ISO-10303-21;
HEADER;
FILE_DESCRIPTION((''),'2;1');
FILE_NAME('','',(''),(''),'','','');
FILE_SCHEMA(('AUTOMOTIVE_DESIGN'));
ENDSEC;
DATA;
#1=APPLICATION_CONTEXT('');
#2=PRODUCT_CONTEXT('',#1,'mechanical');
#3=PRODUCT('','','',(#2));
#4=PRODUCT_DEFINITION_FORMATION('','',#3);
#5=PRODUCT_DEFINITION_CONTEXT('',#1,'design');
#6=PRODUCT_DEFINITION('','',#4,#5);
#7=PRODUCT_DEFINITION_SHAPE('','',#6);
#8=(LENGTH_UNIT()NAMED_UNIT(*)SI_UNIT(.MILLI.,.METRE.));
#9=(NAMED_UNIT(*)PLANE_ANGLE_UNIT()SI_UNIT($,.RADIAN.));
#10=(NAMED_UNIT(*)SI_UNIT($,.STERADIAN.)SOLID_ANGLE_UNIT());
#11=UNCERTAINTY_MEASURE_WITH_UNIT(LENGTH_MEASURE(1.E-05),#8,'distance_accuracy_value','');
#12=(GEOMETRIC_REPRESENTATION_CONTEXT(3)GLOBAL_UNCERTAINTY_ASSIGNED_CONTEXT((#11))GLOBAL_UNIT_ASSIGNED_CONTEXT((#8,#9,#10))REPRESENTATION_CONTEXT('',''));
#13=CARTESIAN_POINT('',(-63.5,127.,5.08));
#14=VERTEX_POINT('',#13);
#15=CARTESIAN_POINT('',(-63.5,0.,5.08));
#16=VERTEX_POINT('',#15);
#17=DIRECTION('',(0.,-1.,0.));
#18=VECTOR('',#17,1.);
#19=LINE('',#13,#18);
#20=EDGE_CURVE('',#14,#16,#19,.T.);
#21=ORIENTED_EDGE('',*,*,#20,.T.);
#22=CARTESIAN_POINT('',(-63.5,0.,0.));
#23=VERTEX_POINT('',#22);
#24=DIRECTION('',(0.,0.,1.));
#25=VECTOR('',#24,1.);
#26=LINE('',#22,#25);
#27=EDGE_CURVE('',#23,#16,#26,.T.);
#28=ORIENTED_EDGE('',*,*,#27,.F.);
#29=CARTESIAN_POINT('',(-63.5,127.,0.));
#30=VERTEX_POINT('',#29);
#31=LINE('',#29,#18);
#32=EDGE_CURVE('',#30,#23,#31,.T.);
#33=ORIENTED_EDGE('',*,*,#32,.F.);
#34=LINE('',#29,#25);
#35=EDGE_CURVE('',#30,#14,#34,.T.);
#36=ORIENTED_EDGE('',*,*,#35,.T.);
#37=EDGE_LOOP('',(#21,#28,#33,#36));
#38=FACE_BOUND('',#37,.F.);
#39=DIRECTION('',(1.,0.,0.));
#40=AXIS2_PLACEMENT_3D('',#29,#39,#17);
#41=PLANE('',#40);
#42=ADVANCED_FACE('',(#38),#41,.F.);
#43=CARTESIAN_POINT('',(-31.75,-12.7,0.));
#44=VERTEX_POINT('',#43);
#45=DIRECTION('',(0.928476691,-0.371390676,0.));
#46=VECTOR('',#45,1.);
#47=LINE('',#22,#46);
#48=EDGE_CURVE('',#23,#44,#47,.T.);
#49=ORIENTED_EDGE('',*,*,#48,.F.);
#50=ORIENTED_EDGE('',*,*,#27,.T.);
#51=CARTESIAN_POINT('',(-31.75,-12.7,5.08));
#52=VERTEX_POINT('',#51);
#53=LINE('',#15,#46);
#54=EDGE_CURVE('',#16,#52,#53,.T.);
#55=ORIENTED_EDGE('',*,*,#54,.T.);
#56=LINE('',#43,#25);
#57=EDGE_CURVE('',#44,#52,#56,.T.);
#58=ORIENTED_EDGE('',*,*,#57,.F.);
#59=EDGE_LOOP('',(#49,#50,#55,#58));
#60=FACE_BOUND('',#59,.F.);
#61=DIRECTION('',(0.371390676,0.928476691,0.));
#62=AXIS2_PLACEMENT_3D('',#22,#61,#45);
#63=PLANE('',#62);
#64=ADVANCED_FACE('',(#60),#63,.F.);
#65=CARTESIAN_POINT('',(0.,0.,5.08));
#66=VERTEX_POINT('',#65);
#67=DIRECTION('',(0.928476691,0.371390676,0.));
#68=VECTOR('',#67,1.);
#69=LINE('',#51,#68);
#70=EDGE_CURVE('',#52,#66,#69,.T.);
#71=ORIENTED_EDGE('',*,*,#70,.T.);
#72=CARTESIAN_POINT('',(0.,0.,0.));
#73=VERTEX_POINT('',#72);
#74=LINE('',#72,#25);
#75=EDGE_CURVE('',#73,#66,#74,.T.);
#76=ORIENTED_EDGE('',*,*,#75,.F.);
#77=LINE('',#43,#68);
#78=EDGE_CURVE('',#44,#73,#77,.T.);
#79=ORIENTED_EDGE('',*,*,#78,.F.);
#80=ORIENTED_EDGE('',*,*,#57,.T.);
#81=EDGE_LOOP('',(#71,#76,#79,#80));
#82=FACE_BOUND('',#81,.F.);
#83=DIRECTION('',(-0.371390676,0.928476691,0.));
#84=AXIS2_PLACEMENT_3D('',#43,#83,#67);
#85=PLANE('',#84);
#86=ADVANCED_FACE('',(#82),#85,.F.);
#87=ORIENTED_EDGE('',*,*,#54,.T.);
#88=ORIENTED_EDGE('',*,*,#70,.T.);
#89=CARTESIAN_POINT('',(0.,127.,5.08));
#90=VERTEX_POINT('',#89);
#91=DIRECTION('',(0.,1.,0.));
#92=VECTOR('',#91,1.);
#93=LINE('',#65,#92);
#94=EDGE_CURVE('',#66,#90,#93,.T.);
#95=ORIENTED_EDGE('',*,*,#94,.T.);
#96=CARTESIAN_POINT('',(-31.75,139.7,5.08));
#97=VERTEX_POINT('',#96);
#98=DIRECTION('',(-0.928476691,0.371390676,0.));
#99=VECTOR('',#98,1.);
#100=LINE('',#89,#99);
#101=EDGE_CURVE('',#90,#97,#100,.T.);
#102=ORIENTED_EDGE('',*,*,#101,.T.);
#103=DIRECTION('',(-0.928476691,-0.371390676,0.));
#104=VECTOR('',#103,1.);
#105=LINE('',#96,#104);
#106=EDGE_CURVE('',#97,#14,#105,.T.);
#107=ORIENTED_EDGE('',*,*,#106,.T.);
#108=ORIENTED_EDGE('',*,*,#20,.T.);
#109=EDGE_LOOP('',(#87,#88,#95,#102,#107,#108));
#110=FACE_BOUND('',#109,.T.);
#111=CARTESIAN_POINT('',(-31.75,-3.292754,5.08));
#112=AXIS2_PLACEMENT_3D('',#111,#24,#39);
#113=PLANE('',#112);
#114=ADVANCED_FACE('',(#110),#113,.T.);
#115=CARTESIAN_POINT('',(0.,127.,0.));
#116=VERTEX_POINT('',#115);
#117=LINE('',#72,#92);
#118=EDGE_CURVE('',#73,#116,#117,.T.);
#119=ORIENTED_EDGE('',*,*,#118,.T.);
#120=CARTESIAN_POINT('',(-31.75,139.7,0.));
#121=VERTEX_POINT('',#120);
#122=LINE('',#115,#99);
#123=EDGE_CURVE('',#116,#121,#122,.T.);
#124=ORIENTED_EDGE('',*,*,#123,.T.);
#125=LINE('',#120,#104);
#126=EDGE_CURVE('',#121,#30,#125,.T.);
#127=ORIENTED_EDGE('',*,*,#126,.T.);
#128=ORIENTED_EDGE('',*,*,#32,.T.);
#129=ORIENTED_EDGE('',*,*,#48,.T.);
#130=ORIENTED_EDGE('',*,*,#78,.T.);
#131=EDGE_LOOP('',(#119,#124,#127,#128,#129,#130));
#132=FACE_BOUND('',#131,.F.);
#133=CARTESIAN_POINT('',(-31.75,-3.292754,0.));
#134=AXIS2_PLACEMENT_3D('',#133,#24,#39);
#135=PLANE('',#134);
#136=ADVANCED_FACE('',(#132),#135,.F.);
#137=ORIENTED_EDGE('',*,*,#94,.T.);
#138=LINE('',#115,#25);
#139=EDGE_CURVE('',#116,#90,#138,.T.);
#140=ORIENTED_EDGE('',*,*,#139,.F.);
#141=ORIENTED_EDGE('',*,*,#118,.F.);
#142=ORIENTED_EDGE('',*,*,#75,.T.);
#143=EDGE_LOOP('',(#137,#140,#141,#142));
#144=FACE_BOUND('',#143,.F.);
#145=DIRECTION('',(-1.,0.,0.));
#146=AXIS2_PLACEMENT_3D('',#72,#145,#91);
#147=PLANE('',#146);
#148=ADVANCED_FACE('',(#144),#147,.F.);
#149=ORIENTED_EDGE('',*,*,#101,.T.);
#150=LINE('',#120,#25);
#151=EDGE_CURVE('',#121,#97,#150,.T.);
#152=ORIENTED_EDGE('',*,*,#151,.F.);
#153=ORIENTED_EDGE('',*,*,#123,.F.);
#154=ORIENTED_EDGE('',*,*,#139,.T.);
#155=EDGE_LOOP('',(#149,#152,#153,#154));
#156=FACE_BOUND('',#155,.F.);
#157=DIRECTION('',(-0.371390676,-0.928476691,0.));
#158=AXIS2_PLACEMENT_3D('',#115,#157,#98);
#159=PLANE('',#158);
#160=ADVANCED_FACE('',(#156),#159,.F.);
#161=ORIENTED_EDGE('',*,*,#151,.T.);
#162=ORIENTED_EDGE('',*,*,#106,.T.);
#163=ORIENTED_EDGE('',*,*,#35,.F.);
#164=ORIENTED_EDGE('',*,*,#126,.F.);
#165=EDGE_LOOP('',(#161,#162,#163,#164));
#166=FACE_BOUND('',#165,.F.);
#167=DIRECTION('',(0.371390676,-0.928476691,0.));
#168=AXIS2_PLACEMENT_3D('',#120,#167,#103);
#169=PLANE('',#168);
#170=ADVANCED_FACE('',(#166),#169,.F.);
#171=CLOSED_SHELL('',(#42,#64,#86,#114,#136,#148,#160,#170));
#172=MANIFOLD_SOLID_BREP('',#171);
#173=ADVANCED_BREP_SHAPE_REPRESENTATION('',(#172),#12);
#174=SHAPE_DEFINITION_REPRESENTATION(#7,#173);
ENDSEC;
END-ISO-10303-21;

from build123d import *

# Parameters (mm, degrees)
F1_DEPTH = 5.08


with BuildPart() as f1:
    # F0 (on Top) → F1 (new body)
    with BuildSketch(Plane.XY):
        Polygon((-31.75, -12.7), (0, 0), (-63.5, 0), align=None)
        Polygon((-63.5, 0), (0, 0), (0, 127), (-31.75, 139.7), (-63.5, 127), align=None)
    extrude(amount=F1_DEPTH)


solid = f1.part
